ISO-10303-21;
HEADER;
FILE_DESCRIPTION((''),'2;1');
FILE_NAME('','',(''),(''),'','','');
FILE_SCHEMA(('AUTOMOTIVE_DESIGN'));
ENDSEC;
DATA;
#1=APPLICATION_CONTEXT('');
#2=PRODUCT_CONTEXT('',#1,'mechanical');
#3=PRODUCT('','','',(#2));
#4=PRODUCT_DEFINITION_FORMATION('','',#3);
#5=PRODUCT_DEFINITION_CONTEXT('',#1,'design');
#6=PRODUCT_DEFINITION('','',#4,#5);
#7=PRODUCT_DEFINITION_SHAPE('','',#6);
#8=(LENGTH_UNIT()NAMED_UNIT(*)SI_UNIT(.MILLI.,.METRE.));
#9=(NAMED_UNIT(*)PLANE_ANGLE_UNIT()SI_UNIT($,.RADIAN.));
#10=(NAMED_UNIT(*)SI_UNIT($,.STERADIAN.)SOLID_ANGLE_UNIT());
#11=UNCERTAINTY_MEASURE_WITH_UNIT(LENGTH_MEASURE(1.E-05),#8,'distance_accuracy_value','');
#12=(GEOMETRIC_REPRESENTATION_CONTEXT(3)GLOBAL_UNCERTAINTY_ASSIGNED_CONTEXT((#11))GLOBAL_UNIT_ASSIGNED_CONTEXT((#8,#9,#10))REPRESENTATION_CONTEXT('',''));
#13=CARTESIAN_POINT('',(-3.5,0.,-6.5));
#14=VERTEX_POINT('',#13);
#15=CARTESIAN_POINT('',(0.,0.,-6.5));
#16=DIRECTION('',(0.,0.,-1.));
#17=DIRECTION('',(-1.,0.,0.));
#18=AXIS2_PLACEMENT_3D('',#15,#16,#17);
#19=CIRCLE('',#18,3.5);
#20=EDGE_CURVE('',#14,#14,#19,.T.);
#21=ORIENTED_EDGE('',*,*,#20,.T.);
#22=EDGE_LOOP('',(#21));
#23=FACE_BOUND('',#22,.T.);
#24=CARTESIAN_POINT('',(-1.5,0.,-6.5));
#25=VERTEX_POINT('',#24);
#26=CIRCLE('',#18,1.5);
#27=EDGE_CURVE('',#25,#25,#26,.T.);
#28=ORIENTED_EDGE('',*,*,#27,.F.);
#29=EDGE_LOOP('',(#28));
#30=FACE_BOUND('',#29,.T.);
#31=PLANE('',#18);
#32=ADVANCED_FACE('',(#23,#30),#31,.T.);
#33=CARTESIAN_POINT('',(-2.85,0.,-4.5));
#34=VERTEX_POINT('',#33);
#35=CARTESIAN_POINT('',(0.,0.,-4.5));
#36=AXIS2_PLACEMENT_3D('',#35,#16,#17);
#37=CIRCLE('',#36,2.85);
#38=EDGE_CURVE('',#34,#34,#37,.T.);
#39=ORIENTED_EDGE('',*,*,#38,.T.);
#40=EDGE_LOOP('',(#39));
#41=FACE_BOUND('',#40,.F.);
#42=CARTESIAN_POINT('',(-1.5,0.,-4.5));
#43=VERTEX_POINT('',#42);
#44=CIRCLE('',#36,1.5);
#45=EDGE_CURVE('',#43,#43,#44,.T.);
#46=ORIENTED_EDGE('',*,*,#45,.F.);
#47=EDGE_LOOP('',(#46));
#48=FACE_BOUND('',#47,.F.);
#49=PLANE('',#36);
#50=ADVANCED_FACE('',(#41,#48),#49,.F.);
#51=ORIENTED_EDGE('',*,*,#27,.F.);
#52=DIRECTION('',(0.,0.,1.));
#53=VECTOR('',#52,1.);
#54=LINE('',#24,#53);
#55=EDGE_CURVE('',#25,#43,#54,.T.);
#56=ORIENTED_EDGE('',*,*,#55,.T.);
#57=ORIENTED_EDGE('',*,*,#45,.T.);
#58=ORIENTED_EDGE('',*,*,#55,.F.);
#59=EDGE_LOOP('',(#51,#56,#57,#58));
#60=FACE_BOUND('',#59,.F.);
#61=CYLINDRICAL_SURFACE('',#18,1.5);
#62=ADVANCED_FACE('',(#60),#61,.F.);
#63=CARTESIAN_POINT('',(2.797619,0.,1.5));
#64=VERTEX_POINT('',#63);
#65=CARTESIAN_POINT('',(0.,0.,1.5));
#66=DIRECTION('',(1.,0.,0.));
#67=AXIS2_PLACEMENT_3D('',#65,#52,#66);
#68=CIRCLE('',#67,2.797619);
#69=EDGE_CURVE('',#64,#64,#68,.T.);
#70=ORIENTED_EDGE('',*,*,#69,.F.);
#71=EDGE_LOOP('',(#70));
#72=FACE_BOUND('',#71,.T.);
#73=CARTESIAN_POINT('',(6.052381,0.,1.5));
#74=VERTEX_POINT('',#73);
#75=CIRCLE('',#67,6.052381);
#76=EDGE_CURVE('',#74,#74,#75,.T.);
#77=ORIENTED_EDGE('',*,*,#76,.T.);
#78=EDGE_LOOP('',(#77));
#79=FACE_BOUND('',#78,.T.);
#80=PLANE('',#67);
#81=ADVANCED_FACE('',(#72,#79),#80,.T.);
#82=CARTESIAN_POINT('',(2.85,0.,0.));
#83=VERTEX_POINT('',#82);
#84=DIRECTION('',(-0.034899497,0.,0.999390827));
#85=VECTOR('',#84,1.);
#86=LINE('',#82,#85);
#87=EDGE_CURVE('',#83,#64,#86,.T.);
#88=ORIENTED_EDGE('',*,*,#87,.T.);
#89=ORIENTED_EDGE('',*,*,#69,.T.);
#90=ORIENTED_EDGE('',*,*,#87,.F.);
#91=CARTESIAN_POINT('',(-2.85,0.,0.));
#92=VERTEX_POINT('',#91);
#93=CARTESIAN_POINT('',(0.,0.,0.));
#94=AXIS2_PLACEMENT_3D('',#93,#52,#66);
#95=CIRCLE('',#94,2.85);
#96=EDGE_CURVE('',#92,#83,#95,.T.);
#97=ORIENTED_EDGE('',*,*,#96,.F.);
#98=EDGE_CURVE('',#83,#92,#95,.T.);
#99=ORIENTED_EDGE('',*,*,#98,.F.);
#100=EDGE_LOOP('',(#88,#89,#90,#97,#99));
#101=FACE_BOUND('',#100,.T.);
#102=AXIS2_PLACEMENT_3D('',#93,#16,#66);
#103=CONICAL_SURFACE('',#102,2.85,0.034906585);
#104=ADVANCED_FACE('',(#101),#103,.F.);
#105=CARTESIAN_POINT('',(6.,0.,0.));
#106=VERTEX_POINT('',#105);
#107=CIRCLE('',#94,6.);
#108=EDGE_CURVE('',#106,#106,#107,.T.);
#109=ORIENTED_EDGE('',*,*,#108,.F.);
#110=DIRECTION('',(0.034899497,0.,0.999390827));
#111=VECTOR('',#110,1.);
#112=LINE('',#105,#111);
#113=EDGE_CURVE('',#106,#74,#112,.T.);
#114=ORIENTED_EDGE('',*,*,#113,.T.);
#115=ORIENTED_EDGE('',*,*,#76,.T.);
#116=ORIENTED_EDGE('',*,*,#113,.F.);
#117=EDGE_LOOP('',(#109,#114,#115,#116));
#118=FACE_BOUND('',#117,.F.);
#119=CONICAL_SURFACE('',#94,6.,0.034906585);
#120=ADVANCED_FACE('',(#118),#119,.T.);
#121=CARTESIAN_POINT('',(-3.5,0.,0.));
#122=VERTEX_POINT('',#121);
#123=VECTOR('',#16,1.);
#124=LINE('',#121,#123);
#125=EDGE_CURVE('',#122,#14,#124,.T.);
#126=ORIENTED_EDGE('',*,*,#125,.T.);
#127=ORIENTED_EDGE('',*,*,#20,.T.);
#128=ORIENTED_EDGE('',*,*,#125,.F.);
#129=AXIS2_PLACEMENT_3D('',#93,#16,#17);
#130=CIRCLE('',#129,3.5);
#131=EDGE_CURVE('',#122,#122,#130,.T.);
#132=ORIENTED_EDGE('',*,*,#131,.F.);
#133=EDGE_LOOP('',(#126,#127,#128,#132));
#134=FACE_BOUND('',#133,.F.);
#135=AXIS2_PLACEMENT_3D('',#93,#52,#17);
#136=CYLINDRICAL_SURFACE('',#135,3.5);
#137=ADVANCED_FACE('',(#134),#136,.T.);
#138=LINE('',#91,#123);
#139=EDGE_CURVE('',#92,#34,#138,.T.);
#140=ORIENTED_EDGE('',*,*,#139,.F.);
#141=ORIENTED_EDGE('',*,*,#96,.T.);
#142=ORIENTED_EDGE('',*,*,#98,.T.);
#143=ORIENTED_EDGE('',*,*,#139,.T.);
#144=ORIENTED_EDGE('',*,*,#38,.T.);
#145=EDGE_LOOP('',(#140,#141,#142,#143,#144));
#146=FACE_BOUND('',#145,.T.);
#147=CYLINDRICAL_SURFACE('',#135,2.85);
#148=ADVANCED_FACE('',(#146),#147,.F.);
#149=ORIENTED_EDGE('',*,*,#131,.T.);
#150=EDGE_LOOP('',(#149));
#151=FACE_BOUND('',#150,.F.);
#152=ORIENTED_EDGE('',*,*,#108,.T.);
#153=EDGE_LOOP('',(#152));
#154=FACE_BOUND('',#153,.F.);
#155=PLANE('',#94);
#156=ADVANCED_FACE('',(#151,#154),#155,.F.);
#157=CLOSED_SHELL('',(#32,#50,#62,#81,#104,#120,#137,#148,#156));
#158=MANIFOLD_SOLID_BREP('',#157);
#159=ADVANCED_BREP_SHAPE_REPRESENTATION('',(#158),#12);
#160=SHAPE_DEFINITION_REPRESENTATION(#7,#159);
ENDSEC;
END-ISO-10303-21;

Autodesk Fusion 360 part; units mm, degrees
sketch "Sketch1" plane through (0, 0, 0) normal (0, 0, 1) x (1, 0, 0)
  circle A0 centre (0, 0) radius 6
  circle A1 centre (0, 0) radius 2.85
  dimension "d1" = 12
  dimension "d2" = 5.7
extrude "Extrude1" add sketch "Sketch1" along normal blind 1.5 draft 2
sketch "Sketch2" plane through (0, 0, 0) normal (0, 0, -1) x (-1, 0, 0)
  circle A0 centre (0, 0) radius 2.85
  circle A1 centre (0, 0) radius 6
  circle A2 centre (0, 0) radius 3.5
  dimension "d5" = 7
extrude "Extrude2" add sketch "Sketch2" along normal blind 6.5 contours A2
sketch "Sketch3" plane through (0, 0, -6.5) normal (0, 0, -1) x (-1, 0, 0)
  circle A0 centre (0, 0) radius 2.85
  circle A1 centre (0, 0) radius 3.5
  circle A2 centre (0, 0) radius 3.5
  circle A3 centre (0, 0) radius 1.5
  dimension "d8" = 3
extrude "Extrude3" add sketch "Sketch3" against normal blind 2 contours A0
